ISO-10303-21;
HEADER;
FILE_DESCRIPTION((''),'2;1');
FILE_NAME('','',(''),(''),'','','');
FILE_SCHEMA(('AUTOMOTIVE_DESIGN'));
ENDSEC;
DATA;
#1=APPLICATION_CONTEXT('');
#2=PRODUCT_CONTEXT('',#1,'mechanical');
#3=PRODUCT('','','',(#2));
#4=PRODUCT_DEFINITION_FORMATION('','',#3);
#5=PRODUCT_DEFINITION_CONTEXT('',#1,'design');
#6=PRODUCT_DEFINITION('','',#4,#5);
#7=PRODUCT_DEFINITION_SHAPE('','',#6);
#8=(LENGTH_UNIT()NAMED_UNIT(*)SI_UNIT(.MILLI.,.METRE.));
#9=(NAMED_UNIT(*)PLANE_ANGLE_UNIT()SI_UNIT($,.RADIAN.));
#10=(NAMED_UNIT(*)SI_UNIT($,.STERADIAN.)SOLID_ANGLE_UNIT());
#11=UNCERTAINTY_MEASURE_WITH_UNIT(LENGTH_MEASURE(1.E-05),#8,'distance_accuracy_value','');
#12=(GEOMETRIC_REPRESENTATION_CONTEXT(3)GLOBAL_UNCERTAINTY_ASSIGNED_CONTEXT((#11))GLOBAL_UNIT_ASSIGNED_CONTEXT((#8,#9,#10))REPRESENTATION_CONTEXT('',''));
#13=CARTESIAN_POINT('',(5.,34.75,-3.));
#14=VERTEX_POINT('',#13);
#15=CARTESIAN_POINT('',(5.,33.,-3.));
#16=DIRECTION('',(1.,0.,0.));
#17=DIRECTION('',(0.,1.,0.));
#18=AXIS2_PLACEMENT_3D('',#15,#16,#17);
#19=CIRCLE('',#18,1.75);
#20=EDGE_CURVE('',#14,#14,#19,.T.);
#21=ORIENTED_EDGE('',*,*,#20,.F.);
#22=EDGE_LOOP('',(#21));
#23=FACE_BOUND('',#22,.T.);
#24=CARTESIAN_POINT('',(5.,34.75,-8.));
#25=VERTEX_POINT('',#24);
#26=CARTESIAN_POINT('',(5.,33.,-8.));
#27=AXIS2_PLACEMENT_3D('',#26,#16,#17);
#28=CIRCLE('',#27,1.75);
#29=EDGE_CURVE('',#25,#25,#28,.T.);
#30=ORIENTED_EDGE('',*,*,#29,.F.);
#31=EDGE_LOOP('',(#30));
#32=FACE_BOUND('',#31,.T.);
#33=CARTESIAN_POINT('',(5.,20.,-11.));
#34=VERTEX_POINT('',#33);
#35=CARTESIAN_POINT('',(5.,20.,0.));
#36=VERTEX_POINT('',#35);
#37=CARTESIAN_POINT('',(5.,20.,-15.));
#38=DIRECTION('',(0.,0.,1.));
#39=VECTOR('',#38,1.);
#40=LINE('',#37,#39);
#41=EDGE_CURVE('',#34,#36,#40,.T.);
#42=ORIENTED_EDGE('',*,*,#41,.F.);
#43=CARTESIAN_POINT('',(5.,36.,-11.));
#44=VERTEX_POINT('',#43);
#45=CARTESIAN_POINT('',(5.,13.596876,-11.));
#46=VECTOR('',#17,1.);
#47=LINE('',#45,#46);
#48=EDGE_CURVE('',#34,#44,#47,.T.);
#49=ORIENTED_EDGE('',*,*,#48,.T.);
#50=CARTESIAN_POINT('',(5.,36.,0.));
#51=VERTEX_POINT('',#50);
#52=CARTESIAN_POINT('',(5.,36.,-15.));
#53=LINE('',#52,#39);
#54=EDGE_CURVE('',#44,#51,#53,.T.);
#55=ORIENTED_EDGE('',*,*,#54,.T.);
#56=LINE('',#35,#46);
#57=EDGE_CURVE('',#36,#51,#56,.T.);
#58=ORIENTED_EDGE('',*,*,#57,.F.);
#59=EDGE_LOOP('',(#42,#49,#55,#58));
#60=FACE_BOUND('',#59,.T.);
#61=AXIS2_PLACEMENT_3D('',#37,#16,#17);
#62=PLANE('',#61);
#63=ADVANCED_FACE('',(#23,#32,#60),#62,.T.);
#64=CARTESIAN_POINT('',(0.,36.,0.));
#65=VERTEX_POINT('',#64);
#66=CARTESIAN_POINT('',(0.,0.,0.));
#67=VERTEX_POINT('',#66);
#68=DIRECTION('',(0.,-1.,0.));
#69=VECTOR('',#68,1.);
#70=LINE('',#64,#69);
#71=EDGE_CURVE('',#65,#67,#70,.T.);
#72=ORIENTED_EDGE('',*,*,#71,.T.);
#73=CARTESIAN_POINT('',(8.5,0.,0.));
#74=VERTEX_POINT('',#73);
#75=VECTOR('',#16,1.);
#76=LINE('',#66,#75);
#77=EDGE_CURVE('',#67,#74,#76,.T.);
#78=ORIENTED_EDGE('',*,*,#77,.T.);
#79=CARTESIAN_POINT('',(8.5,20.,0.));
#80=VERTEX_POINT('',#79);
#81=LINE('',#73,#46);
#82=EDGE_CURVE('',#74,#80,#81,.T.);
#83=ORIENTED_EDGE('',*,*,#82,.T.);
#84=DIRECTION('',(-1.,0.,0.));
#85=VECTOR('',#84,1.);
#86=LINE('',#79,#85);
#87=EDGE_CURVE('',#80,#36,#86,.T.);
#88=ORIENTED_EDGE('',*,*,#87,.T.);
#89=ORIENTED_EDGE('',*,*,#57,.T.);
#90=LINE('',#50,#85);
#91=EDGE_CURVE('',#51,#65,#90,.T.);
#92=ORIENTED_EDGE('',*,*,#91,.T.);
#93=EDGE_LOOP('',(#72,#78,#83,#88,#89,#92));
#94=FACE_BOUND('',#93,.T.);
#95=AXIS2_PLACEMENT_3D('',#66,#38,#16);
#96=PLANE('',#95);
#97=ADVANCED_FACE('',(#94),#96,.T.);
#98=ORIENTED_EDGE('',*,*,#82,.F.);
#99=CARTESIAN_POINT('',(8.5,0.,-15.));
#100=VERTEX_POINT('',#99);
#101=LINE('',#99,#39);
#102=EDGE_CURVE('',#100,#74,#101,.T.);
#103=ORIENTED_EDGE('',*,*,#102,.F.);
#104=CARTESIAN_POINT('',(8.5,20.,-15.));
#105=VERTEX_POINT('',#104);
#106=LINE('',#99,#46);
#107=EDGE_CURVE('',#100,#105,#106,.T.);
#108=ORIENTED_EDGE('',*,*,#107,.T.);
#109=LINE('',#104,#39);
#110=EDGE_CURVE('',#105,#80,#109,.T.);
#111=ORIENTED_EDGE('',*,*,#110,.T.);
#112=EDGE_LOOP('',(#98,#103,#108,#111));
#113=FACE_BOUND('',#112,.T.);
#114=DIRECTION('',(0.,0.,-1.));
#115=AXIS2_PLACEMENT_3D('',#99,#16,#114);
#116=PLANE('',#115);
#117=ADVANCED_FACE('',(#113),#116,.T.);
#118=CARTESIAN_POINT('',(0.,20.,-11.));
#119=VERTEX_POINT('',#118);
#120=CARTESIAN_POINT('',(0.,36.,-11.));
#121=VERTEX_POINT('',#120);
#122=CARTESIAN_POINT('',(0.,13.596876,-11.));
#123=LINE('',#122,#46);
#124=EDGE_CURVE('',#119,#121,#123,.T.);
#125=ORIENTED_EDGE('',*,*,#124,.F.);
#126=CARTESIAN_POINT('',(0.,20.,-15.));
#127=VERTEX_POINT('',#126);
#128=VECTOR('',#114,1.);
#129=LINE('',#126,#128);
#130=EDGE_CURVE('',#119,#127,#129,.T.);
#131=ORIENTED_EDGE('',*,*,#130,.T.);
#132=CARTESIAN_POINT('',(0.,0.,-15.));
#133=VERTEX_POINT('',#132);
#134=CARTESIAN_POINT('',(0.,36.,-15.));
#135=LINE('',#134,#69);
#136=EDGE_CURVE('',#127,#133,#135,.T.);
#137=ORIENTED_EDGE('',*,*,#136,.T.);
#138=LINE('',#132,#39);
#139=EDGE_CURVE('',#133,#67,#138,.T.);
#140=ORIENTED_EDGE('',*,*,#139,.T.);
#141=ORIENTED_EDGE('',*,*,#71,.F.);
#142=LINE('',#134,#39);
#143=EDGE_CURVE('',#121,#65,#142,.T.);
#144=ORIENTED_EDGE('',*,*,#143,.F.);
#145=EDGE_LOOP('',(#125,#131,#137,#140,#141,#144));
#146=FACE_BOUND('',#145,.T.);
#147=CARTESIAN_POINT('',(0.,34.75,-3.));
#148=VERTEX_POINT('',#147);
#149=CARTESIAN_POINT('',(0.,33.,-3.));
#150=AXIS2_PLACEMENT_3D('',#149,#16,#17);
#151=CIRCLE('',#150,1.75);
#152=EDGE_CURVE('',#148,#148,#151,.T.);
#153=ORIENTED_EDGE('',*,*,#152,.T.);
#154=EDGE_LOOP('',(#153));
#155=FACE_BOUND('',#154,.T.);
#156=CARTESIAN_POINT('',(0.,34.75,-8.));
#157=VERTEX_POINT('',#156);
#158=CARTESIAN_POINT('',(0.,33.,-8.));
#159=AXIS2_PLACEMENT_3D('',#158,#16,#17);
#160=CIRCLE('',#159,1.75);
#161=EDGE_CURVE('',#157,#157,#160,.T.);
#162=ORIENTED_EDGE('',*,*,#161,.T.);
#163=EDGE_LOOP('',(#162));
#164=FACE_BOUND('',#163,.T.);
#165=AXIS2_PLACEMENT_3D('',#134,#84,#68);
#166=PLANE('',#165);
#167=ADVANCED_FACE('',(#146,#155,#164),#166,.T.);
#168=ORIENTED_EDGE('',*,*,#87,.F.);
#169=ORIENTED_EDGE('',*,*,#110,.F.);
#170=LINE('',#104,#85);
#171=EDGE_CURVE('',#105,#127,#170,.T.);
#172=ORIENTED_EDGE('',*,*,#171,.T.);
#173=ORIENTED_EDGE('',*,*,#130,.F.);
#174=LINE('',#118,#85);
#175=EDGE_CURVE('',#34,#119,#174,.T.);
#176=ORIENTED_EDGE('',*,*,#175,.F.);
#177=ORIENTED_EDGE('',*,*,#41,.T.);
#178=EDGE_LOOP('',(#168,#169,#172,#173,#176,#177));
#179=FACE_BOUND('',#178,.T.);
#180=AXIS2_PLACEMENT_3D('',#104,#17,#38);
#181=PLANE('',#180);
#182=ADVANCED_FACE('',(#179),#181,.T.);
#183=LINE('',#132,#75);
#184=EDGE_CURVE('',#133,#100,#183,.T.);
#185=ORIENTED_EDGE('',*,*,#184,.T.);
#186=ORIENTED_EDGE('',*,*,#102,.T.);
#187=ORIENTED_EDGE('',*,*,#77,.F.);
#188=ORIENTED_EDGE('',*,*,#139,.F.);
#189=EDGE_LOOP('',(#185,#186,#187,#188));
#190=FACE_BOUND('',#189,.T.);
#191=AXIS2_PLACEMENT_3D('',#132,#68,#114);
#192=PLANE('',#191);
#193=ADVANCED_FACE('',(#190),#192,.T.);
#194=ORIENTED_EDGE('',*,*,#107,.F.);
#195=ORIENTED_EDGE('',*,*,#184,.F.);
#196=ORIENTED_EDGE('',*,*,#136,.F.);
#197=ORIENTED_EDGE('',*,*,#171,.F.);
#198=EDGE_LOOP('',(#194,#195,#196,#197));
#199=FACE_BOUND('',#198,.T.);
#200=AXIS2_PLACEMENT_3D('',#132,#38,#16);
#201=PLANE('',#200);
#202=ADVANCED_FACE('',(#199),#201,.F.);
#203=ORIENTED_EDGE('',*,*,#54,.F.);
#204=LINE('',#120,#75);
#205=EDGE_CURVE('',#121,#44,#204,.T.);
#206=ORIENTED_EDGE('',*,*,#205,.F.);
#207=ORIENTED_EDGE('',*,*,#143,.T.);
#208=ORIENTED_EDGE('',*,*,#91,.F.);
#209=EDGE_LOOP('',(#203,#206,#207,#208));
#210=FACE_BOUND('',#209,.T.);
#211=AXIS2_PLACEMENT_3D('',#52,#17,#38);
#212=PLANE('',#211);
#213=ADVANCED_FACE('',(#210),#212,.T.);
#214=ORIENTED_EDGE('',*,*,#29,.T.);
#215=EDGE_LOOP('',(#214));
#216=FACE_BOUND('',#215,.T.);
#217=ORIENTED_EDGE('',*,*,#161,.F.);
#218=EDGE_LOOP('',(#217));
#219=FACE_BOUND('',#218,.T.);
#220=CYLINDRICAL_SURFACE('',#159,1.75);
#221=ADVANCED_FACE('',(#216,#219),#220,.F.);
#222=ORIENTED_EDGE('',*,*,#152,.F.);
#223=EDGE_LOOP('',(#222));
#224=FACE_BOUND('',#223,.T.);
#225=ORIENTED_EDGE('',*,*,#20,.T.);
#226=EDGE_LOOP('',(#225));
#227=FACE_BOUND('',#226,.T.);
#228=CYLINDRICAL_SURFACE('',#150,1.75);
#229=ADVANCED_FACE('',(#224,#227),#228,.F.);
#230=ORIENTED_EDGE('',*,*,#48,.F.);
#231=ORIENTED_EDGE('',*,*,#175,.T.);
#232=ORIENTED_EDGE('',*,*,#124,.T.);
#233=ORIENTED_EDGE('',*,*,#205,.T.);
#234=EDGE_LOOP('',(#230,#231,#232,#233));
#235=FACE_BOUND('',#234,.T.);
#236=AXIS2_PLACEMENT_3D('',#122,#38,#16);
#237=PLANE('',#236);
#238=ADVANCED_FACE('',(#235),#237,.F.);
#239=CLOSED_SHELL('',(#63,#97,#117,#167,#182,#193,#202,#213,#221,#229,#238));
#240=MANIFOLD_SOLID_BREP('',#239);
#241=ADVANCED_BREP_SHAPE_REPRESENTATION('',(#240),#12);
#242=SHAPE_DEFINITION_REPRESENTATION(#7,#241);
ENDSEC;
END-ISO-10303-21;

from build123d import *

# Parameters (mm, degrees)
BOSS_EXTRUDE1_DEPTH = 15
SKETCH2_W           = 5
SKETCH2_H           = 4
CUT_EXTRUDE1_DEPTH  = 16
SKETCH7_R           = 1.75
CUT_EXTRUDE3_DEPTH  = 6


with BuildPart() as part:
    # Sketch1 → Boss-Extrude1 (new body)
    with BuildSketch(Plane.XY):
        Polygon((0, 36), (0, 0), (8.5, 0), (8.5, 20), (5, 20), (5, 36), align=None)
    extrude(amount=-BOSS_EXTRUDE1_DEPTH)

    # Sketch2 → Cut-Extrude1 (cut)
    with BuildSketch(Plane(origin=(0, 36, 0), x_dir=(1, 0, 0), z_dir=(0, 1, 0))):
        with Locations((2.5, 13)):
            Rectangle(SKETCH2_W, SKETCH2_H)
    extrude(amount=-CUT_EXTRUDE1_DEPTH, mode=Mode.SUBTRACT)

    # Sketch7 → Cut-Extrude3 (cut, through all)
    with BuildSketch(Plane(origin=(5, 0, 0), x_dir=(0, 0, -1), z_dir=(1, 0, 0))):
        with Locations((3, 33)):
            Circle(SKETCH7_R)
        with Locations((8, 33)):
            Circle(SKETCH7_R)
    extrude(amount=-CUT_EXTRUDE3_DEPTH, mode=Mode.SUBTRACT)


solid = part.part
